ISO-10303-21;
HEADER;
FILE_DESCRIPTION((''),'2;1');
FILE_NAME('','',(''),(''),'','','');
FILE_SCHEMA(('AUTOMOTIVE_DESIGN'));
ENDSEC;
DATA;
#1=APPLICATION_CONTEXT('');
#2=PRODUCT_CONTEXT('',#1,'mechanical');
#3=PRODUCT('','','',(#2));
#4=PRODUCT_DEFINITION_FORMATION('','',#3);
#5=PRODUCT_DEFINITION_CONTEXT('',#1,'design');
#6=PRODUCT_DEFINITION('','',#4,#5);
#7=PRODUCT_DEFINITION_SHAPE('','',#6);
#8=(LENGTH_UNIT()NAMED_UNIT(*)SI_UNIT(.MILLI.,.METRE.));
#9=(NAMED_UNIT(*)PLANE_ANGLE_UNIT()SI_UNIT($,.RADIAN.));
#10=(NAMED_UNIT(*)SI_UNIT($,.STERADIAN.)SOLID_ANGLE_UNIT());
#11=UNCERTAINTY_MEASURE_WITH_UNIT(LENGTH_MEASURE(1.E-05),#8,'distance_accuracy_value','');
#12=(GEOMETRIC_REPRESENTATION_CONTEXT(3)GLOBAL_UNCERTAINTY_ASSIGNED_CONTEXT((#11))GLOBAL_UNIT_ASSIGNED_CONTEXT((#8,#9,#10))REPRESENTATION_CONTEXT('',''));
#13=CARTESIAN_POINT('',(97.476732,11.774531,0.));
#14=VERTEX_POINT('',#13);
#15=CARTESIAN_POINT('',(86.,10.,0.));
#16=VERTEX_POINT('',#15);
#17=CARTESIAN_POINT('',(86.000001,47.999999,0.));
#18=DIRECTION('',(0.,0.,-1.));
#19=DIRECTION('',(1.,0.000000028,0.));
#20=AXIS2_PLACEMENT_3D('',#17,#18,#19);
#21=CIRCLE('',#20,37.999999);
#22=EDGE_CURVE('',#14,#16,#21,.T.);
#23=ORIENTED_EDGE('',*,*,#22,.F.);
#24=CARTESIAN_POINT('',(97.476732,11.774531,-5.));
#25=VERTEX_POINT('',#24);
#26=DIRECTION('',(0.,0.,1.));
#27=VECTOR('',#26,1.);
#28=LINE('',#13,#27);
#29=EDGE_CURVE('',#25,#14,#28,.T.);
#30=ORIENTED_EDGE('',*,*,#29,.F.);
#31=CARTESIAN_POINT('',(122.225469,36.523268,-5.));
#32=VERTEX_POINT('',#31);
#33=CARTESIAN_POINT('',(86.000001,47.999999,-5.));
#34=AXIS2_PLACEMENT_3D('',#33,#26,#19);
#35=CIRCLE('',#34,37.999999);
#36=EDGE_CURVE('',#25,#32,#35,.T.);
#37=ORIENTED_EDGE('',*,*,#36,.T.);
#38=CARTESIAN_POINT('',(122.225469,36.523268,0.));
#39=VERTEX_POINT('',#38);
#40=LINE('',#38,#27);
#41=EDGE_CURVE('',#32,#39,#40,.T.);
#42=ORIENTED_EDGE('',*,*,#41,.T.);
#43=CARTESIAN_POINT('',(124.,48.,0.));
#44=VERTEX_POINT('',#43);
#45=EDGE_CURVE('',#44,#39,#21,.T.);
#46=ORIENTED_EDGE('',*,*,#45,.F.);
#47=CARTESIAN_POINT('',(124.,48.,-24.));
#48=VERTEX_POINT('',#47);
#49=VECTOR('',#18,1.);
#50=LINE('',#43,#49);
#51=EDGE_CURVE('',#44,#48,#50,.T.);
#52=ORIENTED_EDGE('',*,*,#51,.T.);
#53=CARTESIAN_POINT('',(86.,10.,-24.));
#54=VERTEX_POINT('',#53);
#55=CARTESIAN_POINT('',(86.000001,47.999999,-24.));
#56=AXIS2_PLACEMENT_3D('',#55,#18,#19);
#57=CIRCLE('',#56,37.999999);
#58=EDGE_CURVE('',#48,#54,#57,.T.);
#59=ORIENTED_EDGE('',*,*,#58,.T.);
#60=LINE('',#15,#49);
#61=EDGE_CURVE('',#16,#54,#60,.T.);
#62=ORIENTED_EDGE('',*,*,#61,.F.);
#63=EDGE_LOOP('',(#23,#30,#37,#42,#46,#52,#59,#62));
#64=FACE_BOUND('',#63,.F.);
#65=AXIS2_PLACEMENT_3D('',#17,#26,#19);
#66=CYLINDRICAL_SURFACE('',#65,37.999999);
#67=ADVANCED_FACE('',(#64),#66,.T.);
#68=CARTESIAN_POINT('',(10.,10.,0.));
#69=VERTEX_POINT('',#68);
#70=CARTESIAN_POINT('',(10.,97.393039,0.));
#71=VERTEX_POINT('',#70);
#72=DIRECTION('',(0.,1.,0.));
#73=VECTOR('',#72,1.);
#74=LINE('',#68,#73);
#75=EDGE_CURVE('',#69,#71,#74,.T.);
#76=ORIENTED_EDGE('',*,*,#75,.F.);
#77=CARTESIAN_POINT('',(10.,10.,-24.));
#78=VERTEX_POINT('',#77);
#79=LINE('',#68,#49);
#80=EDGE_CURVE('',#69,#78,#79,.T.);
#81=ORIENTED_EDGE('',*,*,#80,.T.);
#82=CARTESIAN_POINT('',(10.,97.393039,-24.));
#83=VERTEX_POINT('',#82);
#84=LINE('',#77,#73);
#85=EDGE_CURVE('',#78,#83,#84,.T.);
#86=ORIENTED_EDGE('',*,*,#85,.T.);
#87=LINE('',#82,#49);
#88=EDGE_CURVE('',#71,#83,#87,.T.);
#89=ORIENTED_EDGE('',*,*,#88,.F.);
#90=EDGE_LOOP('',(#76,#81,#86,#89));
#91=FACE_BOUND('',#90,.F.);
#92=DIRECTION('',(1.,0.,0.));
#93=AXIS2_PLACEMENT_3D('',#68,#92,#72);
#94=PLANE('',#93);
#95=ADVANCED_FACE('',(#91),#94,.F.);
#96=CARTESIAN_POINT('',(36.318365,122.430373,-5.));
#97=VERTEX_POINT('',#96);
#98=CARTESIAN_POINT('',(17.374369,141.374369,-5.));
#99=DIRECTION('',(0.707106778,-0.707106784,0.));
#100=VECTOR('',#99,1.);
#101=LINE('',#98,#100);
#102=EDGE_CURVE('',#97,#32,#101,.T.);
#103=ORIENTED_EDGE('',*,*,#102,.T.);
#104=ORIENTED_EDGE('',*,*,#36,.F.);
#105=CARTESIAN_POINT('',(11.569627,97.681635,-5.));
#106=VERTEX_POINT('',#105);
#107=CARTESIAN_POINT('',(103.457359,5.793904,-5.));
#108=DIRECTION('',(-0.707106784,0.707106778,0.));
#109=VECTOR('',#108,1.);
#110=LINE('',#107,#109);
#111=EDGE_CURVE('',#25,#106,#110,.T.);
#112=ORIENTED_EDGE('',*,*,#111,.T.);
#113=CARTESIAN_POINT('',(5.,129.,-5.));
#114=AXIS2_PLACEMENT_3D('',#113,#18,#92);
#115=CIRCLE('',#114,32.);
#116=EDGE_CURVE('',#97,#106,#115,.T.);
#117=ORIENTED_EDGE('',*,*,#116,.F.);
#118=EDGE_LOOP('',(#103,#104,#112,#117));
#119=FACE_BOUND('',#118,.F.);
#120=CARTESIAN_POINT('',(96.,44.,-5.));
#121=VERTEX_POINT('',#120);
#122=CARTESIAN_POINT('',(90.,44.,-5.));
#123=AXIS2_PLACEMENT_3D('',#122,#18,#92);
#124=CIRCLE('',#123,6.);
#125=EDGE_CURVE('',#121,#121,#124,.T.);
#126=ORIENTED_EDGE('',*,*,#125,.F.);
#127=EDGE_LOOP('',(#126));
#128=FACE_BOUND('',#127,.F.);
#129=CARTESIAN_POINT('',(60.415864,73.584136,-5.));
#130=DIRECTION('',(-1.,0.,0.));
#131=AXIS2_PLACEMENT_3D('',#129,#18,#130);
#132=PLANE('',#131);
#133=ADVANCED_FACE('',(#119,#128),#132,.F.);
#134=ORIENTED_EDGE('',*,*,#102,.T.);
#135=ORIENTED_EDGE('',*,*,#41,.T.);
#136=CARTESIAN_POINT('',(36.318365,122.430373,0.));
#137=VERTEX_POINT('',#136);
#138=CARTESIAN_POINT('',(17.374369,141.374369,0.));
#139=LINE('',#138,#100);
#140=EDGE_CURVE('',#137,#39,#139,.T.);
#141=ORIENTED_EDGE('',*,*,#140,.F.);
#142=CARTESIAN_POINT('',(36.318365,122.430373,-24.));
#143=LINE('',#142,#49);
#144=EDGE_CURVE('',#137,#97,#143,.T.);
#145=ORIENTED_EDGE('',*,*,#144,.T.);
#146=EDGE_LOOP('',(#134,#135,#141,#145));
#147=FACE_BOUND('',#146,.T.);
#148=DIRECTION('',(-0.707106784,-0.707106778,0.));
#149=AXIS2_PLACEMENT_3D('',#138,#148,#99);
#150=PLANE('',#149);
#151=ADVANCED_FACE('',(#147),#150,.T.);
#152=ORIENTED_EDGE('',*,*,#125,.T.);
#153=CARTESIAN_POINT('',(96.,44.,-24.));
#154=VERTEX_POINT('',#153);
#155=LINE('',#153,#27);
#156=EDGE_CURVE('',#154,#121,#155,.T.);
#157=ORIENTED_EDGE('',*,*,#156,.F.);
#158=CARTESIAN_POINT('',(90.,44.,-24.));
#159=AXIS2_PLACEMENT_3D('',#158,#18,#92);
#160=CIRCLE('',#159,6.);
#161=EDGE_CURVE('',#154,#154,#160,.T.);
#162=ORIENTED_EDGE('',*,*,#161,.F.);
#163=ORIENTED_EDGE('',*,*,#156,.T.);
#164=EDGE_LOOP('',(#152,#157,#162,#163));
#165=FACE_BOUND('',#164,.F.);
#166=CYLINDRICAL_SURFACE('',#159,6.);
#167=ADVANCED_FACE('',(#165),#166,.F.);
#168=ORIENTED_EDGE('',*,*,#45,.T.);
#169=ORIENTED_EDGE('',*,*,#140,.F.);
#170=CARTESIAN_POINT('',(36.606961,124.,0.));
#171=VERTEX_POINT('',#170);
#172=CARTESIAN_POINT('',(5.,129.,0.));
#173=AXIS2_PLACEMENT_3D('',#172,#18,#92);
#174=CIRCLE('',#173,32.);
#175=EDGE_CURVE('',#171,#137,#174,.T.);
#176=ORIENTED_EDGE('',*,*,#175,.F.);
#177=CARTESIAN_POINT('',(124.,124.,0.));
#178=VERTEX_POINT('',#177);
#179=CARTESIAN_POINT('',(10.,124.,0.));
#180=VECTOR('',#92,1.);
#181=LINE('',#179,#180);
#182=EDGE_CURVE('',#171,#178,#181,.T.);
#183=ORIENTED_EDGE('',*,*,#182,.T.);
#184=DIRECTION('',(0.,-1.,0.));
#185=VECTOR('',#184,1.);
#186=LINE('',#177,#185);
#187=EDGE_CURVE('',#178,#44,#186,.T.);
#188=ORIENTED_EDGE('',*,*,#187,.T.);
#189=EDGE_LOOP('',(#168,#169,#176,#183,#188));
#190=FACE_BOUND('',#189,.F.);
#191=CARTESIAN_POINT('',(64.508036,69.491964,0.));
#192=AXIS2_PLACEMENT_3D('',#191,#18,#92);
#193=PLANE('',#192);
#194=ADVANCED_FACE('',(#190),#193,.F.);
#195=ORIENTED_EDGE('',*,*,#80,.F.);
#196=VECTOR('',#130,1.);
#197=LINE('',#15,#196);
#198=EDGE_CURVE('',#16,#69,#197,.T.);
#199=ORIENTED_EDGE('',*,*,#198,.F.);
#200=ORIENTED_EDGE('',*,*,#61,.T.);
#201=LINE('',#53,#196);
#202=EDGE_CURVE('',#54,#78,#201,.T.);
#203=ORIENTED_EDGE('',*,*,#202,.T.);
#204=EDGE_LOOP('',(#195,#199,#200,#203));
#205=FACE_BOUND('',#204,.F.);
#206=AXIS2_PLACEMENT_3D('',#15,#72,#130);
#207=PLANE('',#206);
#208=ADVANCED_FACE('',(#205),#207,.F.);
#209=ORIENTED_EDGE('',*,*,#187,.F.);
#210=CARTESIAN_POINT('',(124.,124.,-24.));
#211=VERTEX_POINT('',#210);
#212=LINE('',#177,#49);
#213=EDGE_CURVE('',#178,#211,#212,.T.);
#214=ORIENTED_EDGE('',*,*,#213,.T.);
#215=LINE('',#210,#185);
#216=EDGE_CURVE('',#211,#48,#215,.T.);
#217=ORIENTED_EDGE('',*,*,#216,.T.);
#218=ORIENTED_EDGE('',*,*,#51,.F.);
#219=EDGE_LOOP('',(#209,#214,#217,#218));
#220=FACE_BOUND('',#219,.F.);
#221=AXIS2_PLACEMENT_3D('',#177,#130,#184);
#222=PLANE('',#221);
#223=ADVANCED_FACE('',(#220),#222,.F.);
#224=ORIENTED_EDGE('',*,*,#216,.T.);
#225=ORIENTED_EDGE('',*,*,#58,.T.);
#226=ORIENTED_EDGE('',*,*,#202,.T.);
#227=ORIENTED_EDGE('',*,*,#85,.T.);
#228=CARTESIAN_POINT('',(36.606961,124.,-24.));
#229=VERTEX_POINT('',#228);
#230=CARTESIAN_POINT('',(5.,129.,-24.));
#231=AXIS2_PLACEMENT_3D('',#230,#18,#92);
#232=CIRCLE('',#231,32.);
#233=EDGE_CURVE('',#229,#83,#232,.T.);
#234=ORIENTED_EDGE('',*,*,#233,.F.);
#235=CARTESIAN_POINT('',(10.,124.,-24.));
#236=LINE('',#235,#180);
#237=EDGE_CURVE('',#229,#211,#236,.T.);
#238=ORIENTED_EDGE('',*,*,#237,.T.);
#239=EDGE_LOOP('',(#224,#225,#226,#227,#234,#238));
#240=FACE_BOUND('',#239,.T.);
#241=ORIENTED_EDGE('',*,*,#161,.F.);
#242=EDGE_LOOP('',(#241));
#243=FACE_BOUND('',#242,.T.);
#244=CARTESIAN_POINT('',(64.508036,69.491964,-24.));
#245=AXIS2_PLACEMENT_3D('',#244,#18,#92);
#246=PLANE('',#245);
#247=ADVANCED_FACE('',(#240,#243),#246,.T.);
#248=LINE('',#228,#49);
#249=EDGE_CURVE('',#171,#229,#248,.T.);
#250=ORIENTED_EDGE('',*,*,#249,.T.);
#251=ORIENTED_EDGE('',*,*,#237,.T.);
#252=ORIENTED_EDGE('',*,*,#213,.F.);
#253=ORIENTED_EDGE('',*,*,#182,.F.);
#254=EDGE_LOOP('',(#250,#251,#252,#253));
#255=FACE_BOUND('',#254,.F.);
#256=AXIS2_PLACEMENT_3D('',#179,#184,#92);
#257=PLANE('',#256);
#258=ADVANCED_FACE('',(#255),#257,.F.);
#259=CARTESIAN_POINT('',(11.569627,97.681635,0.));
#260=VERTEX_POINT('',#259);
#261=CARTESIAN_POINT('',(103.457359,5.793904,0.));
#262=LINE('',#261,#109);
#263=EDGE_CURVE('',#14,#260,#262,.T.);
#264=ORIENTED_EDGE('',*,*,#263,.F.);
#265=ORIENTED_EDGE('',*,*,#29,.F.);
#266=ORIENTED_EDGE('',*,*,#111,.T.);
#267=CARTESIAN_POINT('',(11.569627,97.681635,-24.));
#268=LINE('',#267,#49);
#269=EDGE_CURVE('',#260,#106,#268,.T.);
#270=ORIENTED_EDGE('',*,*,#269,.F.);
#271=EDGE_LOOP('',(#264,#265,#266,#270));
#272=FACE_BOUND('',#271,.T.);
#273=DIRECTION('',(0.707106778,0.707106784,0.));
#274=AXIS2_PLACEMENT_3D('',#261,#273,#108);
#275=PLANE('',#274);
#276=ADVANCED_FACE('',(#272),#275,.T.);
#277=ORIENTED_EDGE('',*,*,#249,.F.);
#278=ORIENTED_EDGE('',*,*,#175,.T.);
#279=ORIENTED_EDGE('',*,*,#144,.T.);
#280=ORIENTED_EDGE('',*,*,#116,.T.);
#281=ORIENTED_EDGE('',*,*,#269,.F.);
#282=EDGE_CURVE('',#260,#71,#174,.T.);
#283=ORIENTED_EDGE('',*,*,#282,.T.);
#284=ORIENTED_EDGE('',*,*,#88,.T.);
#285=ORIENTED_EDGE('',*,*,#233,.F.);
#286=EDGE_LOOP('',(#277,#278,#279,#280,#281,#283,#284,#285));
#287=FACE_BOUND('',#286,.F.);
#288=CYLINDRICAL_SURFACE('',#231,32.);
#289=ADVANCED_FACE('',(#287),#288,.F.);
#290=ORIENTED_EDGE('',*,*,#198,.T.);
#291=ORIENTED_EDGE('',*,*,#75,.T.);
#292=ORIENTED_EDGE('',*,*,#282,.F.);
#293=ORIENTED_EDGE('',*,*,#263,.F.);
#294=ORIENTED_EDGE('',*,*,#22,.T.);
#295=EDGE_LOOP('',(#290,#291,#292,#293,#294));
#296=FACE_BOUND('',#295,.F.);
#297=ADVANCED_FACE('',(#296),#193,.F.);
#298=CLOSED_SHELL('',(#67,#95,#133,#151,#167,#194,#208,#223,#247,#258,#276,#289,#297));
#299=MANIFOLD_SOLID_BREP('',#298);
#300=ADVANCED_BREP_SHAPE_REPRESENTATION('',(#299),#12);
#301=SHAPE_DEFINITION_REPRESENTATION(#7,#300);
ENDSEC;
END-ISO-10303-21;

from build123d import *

# Parameters (mm, degrees)
PAD016_DEPTH            = 24
POCKET028_DEPTH         = 5
SKETCH046_R             = 32
SKETCH046_R_2           = 6
POCKET029_DEPTH         = 24
BODY014_PLACEMENT_ANGLE = 180


with BuildPart() as part:
    # Sketch044 → Pad016 (new body)
    with BuildSketch(Plane.XY):
        with BuildLine():
            Line((5, 5), (119, 5))
            Line((119, 5), (119, 81))
            ThreePointArc((119, 81), (107.870058, 107.870058), (81, 119))
            Line((81, 119), (5, 119))
            Line((5, 119), (5, 5))
        make_face()
    extrude(amount=PAD016_DEPTH)

    # Sketch045 (on Face6 of Pad016) → Pocket028 (cut)
    with BuildSketch(Plane(origin=(0, 0, 0), x_dir=(1, 0, 0), z_dir=(0, 0, -1))):
        Polygon((12.374369, 12.374369), (123.206096, -98.457359), (98.457359, -123.206096), (-12.374369, -12.374369), (0, 0), align=None)
    extrude(amount=-POCKET028_DEPTH, mode=Mode.SUBTRACT)

    # Sketch046 (on Face6 of Pocket028) → Pocket029 (cut)
    with BuildSketch(Plane.XY.offset(24)):
        Circle(SKETCH046_R)
        with Locations((85, 85)):
            Circle(SKETCH046_R_2)
    extrude(amount=-POCKET029_DEPTH, mode=Mode.SUBTRACT)


with BuildPart() as part_1:
    # Body014 placement: moved
    add(part.part.rotate(Axis((0, 0, 0), (1, 0, 0)), BODY014_PLACEMENT_ANGLE))


with BuildPart() as part_2:
    # Clone placement: moved
    add(part_1.part.moved(Location((5, 129, 0))))


solid = part_2.part
